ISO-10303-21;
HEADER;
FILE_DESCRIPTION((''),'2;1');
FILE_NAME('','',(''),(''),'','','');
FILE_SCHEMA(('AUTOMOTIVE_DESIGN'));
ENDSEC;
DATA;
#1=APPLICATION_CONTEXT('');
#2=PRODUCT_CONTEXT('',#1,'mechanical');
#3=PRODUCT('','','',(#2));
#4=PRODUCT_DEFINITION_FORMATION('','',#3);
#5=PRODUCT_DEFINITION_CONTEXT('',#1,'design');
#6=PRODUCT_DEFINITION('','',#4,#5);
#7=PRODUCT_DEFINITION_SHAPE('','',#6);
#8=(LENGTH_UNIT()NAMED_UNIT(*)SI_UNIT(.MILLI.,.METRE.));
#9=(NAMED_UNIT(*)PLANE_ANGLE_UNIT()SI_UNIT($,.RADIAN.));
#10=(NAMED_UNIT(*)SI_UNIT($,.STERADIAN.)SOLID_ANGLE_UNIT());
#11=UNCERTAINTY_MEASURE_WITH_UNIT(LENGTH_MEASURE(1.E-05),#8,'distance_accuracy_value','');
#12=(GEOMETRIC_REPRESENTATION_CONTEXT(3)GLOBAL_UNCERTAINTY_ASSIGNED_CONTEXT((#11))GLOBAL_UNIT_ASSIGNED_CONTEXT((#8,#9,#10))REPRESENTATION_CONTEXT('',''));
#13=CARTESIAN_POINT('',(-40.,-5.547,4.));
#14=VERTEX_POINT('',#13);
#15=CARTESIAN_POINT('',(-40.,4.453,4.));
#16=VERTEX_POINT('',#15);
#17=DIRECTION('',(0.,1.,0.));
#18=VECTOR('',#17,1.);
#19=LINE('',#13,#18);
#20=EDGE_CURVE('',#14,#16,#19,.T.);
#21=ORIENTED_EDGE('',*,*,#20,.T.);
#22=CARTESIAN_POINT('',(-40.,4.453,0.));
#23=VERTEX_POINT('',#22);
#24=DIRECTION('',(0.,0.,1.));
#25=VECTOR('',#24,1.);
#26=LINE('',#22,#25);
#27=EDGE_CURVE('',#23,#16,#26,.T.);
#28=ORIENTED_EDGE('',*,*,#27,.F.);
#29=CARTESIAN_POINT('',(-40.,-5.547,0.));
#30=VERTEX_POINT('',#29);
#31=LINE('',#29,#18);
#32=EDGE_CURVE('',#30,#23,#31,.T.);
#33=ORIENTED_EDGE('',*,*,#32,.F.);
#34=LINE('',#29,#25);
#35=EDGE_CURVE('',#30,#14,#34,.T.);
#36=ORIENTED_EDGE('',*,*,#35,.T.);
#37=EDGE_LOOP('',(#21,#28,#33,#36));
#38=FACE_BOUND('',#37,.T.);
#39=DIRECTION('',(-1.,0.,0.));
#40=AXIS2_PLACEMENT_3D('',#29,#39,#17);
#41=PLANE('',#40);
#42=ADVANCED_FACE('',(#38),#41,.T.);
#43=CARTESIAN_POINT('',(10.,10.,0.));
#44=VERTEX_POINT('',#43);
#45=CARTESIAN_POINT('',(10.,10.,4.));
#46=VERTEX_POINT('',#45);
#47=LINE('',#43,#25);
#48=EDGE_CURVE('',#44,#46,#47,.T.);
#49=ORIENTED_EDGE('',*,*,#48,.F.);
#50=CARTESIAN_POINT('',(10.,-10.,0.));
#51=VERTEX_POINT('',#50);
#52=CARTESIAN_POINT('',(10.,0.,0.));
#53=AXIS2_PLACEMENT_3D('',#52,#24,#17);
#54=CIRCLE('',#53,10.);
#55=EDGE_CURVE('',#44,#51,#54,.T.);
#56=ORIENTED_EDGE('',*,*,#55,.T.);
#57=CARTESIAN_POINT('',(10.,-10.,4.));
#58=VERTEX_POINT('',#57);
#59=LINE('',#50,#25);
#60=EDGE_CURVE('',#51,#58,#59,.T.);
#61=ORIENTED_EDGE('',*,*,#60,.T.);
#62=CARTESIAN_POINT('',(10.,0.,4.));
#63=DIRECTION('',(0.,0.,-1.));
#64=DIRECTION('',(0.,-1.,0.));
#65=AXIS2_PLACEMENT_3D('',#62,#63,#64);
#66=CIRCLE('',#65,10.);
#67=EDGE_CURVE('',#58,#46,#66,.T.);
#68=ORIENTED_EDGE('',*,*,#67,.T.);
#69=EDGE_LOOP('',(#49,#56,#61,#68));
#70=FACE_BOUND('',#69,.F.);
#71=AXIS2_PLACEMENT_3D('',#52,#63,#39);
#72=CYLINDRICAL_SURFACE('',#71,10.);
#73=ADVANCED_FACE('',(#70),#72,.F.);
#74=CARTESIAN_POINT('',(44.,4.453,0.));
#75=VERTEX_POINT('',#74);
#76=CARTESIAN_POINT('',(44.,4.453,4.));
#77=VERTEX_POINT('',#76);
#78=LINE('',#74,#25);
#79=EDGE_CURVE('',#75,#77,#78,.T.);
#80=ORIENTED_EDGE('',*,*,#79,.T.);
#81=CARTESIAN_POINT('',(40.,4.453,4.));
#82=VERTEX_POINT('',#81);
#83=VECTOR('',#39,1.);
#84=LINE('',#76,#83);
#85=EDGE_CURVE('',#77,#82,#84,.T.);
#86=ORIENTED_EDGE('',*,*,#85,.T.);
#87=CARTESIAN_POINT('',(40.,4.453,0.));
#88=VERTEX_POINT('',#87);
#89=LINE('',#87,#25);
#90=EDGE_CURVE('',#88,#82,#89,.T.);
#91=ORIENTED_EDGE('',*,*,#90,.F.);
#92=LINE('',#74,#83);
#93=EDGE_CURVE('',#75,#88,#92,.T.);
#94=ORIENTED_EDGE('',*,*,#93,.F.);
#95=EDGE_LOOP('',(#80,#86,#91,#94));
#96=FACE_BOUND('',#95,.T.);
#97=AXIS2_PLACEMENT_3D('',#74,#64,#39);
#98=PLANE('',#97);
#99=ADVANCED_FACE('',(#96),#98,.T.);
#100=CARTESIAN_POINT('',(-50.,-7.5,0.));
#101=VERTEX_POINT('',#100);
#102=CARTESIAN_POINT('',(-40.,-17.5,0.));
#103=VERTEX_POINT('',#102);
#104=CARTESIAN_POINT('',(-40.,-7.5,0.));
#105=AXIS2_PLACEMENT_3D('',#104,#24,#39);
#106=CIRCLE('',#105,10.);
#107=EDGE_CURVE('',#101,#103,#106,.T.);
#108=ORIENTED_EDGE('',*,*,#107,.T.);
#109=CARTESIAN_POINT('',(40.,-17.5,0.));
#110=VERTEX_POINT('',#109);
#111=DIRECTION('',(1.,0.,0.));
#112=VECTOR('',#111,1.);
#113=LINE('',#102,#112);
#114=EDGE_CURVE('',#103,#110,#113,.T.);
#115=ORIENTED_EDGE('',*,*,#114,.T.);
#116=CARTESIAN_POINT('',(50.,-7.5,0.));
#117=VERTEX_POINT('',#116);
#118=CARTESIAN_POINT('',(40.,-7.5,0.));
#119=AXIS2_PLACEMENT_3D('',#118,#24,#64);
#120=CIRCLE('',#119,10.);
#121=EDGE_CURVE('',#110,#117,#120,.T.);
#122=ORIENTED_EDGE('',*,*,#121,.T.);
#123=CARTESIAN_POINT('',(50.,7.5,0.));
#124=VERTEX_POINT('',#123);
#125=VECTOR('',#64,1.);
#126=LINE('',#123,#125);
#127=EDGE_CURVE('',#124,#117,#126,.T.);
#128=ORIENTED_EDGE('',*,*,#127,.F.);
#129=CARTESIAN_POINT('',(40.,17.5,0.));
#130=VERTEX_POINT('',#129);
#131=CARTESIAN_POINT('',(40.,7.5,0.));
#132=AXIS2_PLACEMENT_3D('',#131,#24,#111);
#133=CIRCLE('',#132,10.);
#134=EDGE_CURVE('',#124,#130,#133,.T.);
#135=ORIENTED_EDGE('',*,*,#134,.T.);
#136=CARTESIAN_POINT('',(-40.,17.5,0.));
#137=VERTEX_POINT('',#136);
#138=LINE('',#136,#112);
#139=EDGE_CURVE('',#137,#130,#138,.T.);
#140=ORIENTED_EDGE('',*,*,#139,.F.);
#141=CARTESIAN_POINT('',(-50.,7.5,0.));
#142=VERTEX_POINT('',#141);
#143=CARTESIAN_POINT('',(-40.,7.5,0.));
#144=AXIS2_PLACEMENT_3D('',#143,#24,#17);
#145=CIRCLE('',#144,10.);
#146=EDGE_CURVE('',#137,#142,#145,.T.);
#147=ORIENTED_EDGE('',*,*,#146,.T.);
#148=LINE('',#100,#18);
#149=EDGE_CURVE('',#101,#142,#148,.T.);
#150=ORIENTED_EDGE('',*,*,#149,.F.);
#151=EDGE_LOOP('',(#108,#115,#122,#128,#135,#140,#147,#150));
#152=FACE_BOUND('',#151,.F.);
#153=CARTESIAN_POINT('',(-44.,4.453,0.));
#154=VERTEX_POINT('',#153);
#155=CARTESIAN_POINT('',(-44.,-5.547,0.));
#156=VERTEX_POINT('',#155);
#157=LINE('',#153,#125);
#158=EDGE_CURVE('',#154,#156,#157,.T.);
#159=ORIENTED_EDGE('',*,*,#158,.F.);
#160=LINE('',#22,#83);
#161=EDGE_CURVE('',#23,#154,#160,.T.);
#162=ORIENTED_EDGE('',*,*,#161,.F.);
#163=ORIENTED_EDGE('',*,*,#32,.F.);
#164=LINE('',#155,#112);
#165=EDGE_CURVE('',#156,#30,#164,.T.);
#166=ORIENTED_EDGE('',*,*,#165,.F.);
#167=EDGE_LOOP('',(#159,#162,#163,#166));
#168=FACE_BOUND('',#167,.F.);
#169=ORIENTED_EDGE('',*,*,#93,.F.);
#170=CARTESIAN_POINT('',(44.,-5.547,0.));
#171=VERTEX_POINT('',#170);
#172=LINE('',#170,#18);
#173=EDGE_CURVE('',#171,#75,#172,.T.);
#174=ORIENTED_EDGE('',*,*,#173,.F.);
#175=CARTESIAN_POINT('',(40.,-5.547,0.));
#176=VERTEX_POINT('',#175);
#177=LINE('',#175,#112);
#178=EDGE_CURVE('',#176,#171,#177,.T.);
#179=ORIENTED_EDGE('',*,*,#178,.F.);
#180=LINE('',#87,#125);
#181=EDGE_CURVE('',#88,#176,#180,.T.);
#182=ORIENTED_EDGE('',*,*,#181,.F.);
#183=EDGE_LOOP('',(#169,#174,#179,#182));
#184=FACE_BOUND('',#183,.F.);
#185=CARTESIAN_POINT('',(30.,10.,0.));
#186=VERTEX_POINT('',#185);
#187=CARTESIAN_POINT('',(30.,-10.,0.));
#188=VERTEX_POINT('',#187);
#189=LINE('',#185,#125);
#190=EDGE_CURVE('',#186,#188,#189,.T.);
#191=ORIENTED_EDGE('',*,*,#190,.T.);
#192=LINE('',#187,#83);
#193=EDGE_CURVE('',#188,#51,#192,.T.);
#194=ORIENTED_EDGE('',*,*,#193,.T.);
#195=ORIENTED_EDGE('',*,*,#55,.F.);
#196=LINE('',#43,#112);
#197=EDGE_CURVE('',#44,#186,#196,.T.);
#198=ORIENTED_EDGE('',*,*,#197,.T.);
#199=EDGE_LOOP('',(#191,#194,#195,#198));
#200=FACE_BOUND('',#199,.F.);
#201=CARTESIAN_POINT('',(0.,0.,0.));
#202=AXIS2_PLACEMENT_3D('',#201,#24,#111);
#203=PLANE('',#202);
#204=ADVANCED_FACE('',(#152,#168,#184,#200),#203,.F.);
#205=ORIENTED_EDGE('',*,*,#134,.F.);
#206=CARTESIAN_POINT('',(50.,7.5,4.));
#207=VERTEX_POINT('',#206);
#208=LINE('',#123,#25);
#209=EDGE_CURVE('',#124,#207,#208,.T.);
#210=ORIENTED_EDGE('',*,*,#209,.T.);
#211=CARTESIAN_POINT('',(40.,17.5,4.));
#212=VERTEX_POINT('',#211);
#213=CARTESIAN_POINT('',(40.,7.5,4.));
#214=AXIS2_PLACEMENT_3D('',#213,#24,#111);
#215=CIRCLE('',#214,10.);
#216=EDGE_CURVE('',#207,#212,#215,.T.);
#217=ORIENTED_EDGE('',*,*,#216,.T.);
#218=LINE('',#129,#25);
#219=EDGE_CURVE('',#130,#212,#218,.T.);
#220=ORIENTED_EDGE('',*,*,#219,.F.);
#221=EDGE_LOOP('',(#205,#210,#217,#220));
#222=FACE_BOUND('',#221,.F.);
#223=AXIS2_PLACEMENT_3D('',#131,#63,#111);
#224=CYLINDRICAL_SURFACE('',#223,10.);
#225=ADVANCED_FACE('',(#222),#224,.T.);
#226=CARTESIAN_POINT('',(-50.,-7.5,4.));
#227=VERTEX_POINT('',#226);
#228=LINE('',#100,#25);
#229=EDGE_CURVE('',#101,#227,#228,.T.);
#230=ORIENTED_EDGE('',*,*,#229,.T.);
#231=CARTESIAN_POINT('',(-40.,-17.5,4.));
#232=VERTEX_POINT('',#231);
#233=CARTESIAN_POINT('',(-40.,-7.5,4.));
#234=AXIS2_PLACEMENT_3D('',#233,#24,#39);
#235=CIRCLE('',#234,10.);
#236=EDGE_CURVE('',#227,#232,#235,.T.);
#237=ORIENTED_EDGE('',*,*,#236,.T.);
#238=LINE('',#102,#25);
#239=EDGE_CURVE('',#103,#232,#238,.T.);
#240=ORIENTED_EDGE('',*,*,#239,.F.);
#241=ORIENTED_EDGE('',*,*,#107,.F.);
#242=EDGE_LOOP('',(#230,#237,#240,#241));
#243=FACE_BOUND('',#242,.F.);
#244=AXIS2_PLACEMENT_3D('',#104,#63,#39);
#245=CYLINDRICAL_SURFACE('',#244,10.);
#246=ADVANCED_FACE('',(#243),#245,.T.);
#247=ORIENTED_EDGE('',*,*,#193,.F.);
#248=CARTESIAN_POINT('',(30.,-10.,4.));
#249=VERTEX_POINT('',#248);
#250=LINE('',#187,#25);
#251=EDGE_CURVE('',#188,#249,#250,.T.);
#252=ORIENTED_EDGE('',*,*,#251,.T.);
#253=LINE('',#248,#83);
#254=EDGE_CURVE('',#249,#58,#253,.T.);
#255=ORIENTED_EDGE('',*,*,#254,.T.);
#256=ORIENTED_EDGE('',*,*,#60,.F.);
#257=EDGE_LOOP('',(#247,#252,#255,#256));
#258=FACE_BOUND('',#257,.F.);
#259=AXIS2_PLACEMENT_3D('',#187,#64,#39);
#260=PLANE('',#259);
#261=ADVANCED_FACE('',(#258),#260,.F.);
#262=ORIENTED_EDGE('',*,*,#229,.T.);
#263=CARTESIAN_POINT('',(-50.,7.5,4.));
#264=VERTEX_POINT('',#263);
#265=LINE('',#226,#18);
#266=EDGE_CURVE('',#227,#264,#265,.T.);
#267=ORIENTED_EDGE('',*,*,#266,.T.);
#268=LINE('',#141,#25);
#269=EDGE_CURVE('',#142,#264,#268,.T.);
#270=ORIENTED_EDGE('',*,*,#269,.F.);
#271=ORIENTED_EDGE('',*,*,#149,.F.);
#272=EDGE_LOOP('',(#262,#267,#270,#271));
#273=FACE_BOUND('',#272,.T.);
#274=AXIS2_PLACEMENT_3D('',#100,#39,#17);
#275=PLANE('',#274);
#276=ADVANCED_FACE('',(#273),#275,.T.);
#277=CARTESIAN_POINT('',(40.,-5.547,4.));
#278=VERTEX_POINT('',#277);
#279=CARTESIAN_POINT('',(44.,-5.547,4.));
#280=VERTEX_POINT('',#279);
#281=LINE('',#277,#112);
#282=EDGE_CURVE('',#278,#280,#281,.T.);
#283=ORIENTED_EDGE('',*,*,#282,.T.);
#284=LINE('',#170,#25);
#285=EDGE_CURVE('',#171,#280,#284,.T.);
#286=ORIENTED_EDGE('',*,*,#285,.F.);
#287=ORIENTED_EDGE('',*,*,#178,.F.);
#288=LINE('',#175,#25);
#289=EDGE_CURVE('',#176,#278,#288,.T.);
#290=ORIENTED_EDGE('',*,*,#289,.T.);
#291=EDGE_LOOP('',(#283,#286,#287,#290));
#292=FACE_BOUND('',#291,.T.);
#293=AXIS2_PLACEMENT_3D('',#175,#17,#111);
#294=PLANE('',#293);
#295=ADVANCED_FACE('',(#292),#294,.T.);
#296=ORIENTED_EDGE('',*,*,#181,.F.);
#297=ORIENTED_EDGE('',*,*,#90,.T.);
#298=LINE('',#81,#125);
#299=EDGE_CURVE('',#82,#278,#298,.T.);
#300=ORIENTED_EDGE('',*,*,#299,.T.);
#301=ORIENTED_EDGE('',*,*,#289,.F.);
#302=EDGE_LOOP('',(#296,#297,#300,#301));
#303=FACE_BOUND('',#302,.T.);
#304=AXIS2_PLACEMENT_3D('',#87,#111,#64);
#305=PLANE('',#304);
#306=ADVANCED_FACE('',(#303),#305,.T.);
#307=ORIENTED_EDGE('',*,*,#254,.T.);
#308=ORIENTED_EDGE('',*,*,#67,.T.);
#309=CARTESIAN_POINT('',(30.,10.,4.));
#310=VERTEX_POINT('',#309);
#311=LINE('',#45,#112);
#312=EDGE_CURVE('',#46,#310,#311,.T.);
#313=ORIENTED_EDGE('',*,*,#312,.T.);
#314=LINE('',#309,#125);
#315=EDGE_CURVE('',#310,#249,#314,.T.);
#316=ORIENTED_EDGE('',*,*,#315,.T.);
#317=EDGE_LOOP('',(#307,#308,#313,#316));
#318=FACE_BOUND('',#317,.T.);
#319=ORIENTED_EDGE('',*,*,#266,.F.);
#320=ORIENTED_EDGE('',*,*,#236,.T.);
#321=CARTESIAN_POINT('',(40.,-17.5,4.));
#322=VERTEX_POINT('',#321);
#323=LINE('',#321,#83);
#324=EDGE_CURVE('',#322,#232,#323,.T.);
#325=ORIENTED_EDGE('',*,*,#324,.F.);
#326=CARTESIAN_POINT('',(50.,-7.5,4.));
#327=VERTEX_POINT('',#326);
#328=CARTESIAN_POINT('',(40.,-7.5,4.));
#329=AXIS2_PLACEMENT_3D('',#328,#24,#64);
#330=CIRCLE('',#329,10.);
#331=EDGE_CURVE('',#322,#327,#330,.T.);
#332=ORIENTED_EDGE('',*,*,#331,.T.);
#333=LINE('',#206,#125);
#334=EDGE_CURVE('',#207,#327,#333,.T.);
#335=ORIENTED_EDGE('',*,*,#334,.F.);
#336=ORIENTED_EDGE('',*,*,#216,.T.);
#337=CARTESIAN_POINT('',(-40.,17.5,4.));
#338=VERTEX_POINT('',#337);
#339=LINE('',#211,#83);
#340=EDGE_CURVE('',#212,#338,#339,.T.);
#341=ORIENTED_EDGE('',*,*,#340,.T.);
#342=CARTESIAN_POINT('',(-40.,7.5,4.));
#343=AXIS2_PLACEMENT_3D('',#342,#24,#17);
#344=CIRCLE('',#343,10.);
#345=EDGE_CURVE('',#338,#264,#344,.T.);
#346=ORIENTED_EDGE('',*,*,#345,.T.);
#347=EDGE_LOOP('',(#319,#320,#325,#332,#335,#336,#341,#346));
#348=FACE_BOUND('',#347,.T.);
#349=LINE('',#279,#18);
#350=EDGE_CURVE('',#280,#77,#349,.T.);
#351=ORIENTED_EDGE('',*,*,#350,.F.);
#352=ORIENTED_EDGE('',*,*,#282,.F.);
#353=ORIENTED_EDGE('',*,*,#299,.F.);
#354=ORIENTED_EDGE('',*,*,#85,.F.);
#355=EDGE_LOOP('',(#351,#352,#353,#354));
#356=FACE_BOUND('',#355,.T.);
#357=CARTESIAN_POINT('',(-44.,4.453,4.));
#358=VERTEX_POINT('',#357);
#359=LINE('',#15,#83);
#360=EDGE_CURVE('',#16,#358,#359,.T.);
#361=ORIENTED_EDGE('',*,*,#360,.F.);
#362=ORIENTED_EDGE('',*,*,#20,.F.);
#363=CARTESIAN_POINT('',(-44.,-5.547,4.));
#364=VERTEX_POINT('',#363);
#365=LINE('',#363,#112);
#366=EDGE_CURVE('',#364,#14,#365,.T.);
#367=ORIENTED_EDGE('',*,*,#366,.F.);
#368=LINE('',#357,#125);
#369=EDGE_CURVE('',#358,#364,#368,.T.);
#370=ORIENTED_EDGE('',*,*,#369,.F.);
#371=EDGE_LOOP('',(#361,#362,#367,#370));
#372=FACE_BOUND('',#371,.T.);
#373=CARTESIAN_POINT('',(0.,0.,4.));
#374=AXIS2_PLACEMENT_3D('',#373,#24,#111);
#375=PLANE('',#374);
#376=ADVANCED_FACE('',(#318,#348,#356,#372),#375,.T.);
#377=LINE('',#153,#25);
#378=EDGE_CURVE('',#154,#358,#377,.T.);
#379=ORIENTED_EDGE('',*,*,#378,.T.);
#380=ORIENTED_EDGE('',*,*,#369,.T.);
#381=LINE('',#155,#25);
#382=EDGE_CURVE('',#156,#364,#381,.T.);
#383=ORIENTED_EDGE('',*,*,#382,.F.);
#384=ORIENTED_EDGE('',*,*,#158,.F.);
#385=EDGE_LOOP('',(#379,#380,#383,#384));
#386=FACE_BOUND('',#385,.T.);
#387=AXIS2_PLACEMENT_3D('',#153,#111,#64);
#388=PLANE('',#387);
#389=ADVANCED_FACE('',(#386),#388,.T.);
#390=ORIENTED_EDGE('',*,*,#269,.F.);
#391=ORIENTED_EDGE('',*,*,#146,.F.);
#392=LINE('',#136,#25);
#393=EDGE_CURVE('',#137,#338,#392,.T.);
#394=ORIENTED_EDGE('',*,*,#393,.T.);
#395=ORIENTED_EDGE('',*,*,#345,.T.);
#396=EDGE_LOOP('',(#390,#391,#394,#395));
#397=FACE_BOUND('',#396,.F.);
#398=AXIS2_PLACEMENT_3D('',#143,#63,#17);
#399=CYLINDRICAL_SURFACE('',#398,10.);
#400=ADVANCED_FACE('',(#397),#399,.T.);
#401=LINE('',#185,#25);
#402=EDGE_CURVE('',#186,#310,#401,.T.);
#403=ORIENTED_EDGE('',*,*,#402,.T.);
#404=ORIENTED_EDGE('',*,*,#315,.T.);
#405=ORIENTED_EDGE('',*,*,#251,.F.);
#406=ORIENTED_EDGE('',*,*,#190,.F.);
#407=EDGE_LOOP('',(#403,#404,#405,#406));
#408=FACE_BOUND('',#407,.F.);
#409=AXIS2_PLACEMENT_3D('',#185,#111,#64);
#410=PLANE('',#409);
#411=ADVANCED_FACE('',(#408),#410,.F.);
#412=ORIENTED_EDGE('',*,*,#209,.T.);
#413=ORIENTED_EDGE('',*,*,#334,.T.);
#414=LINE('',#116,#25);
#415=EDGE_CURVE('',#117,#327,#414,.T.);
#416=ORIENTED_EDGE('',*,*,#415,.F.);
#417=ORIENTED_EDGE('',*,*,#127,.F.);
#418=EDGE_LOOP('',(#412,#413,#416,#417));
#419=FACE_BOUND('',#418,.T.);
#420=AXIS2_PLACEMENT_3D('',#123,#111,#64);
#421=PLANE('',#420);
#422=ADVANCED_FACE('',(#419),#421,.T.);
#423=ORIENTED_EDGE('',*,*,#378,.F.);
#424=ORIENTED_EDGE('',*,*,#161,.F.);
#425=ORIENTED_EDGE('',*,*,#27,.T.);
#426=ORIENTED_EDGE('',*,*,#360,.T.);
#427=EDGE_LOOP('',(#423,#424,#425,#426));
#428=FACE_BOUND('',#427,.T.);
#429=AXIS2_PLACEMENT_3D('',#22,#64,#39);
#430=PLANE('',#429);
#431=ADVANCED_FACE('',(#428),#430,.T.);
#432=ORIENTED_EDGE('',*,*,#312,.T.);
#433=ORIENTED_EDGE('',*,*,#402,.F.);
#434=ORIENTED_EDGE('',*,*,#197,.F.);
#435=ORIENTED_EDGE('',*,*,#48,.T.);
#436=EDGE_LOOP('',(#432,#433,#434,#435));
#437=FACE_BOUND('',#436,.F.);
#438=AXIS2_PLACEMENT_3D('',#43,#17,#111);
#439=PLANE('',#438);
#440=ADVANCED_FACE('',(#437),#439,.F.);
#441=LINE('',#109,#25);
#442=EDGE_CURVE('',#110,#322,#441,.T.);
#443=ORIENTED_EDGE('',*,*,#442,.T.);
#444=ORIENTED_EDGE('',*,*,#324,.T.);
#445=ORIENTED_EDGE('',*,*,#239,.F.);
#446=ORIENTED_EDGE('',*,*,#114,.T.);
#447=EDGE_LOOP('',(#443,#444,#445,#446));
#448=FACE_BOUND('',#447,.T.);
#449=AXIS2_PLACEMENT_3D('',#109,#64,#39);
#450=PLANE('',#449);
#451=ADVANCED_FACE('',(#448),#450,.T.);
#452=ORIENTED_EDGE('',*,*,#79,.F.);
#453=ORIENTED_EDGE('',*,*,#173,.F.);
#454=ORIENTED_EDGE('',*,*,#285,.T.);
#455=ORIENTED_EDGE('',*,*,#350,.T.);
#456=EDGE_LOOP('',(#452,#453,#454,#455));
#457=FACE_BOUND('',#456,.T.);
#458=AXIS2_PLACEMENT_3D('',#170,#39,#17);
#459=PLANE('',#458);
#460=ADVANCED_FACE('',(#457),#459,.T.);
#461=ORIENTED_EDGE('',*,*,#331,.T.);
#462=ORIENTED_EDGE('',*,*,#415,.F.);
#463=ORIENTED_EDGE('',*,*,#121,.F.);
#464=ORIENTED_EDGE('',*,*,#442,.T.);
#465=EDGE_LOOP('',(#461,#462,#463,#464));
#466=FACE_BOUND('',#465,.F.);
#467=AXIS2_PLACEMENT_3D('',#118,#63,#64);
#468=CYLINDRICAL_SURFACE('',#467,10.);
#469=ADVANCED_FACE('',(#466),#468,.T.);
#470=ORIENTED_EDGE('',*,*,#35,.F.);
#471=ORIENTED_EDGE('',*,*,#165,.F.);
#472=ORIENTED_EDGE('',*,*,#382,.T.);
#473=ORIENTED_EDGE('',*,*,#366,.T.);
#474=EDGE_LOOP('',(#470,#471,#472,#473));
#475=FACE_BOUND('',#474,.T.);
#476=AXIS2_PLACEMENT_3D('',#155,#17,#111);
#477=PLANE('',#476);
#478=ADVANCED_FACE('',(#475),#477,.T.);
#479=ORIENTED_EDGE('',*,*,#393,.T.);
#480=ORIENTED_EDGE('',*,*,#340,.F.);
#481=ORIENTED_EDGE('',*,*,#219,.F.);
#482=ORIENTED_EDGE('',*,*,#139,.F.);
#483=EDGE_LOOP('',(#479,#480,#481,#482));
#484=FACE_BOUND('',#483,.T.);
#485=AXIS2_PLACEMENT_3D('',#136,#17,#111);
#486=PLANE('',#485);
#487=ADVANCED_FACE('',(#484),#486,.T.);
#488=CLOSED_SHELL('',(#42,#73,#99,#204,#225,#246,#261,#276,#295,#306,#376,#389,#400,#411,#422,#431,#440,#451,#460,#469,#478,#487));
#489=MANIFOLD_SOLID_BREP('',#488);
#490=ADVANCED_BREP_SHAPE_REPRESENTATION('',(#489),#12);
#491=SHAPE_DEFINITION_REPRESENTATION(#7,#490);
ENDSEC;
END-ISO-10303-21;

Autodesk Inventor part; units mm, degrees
ref_plane "YZ Plane" through (0, 0, 0) normal (1, 0, 0) x (0, 1, 0)
ref_plane "XZ Plane" through (0, 0, 0) normal (0, 1, 0) x (-1, 0, 0)
ref_plane "XY Plane" through (0, 0, 0) normal (0, 0, 1) x (1, 0, 0)
sketch "Эскиз1" plane through (0, 0, 0) normal (0, 0, 1) x (1, 0, 0)
  line L0 (40, -17.5) -> (22.4906, -17.5) projected
  arc A0 (40, -17.5) -> (50, -7.5) centre (40, -7.5) ccw projected
  line L1 (50, 7.5) -> (50, -7.5) projected
  arc A1 (50, 7.5) -> (40, 17.5) centre (40, 7.5) ccw projected
  line L2 (22.4906, 17.5) -> (40, 17.5) projected
  arc A2 (22.4906, 17.5) -> (53.3569, 60.2081) centre (-76.5583, 121.5932) ccw projected
  arc A3 (53.3569, 60.2081) -> (49.04, 63.7734) centre (57.3118, 69.3928) ccw projected
  arc A4 (49.04, 63.7734) -> (8.22, 17.5) centre (133.8701, -52.2004) ccw projected
  line L3 (-8.22, 17.5) -> (8.22, 17.5) projected
  arc A5 (-8.22, 17.5) -> (-49.04, 63.7734) centre (-133.8701, -52.2004) ccw projected
  arc A6 (-49.04, 63.7734) -> (-53.3569, 60.2081) centre (-57.3118, 69.3928) ccw projected
  arc A7 (-53.3569, 60.2081) -> (-22.4906, 17.5) centre (76.5583, 121.5932) ccw projected
  line L4 (-40, 17.5) -> (-22.4906, 17.5) projected
  arc A8 (-40, 17.5) -> (-50, 7.5) centre (-40, 7.5) ccw projected
  line L5 (-50, -7.5) -> (-50, 7.5) projected
  arc A9 (-50, -7.5) -> (-40, -17.5) centre (-40, -7.5) ccw projected
  line L6 (-22.4906, -17.5) -> (-40, -17.5) projected
  arc A10 (-22.4906, -17.5) -> (-53.3569, -60.2081) centre (76.5583, -121.5932) ccw projected
  arc A11 (-53.3569, -60.2081) -> (-49.04, -63.7734) centre (-57.3118, -69.3928) ccw projected
  arc A12 (-49.04, -63.7734) -> (-8.22, -17.5) centre (-133.8701, 52.2004) ccw projected
  line L7 (8.22, -17.5) -> (-8.22, -17.5) projected
  arc A13 (8.22, -17.5) -> (49.04, -63.7734) centre (133.8701, 52.2004) ccw projected
  arc A14 (49.04, -63.7734) -> (53.3569, -60.2081) centre (57.3118, -69.3928) ccw projected
  arc A15 (53.3569, -60.2081) -> (22.4906, -17.5) centre (-76.5583, -121.5932) ccw projected
  line L8 (22.4906, 17.5) -> (-22.4906, 17.5)
  line L9 (-22.4906, -17.5) -> (22.4906, -17.5)
  line L10 (25, 12.5) -> (25, 8.5) projected
  line L11 (25, 8.5) -> (15, 8.5) projected
  line L12 (15, 8.5) -> (15, 12.5) projected
  line L13 (15, 12.5) -> (25, 12.5) projected
  line L14 (-15, -8.5) -> (-15, -12.5) projected
  line L15 (-15, -12.5) -> (-25, -12.5) projected
  line L16 (-25, -12.5) -> (-25, -8.5) projected
  line L17 (-25, -8.5) -> (-15, -8.5) projected
  line L18 (25, -12.5) -> (15, -12.5) projected
  line L19 (15, -12.5) -> (15, -8.5) projected
  line L20 (15, -8.5) -> (25, -8.5) projected
  line L21 (25, -8.5) -> (25, -12.5) projected
  line L22 (-15, 8.5) -> (-25, 8.5) projected
  line L23 (-25, 8.5) -> (-25, 12.5) projected
  line L24 (-25, 12.5) -> (-15, 12.5) projected
  line L25 (-15, 12.5) -> (-15, 8.5) projected
  point P0 (0, 0)
  point P1 (8.22, 17.5)
  point P2 (-8.22, -17.5)
extrude "Выдавливание1" add sketch "Эскиз1" along normal blind 4 contours L0 L9 L7 L6 A9 L5 A8 L4 L8 L3 L2 A1 L1 A0 | L10 L11 L12 L13 | L14 L15 L16 L17 | L18 L19 L20 L21 | L22 L23 L24 L25
sketch "Эскиз3" plane through (0, 0, 0) normal (0, 0, -1) x (-1, 0, 0)
  point P0 (0, 0)
sketch "Эскиз4" plane through (0, 0, 0) normal (0, 0, -1) x (-1, 0, 0)
  point P0 (0, 0)
sketch "Эскиз5" plane through (0, 0, 0) normal (0, 0, -1) x (-1, 0, 0)
  line L0 (44, 4.453) -> (44, -5.547) projected
  line L1 (40, -5.547) -> (40, 4.453) projected
  line L2 (40, 4.453) -> (44, 4.453) projected
  line L3 (44, -5.547) -> (40, -5.547) projected
  line L4 (-44, -5.547) -> (-44, 4.453) projected
  line L5 (-40, 4.453) -> (-40, -5.547) projected
  line L6 (-44, 4.453) -> (-40, 4.453) projected
  line L7 (-40, -5.547) -> (-44, -5.547) projected
  line L8 (-10, 10) -> (-30, 10)
  line L9 (-30, 10) -> (-30, -10)
  line L10 (-30, -10) -> (-10, -10)
  line L11 (0, 0) -> (0, 0)
  arc A0 (0, 0) -> (-10, 10) centre (-10, 0) ccw
  arc A1 (-10, -10) -> (0, 0) centre (-10, 0) ccw
  point P0 (0, 0)
  point P1 (0, 10)
  dimension "d4" = 10
  dimension "d5" = 10
  dimension "d6" = 30
  dimension "d7" = 10
  dimension "d8" = 10
  dimension "d9" = 30
extrude "Выдавливание3" cut sketch "Эскиз5" against normal blind 4
sketch "Эскиз6" plane through (0, 0, 0) normal (0, 0, -1) x (-1, 0, 0)
  point P0 (0, 0)
properties part number "top"
